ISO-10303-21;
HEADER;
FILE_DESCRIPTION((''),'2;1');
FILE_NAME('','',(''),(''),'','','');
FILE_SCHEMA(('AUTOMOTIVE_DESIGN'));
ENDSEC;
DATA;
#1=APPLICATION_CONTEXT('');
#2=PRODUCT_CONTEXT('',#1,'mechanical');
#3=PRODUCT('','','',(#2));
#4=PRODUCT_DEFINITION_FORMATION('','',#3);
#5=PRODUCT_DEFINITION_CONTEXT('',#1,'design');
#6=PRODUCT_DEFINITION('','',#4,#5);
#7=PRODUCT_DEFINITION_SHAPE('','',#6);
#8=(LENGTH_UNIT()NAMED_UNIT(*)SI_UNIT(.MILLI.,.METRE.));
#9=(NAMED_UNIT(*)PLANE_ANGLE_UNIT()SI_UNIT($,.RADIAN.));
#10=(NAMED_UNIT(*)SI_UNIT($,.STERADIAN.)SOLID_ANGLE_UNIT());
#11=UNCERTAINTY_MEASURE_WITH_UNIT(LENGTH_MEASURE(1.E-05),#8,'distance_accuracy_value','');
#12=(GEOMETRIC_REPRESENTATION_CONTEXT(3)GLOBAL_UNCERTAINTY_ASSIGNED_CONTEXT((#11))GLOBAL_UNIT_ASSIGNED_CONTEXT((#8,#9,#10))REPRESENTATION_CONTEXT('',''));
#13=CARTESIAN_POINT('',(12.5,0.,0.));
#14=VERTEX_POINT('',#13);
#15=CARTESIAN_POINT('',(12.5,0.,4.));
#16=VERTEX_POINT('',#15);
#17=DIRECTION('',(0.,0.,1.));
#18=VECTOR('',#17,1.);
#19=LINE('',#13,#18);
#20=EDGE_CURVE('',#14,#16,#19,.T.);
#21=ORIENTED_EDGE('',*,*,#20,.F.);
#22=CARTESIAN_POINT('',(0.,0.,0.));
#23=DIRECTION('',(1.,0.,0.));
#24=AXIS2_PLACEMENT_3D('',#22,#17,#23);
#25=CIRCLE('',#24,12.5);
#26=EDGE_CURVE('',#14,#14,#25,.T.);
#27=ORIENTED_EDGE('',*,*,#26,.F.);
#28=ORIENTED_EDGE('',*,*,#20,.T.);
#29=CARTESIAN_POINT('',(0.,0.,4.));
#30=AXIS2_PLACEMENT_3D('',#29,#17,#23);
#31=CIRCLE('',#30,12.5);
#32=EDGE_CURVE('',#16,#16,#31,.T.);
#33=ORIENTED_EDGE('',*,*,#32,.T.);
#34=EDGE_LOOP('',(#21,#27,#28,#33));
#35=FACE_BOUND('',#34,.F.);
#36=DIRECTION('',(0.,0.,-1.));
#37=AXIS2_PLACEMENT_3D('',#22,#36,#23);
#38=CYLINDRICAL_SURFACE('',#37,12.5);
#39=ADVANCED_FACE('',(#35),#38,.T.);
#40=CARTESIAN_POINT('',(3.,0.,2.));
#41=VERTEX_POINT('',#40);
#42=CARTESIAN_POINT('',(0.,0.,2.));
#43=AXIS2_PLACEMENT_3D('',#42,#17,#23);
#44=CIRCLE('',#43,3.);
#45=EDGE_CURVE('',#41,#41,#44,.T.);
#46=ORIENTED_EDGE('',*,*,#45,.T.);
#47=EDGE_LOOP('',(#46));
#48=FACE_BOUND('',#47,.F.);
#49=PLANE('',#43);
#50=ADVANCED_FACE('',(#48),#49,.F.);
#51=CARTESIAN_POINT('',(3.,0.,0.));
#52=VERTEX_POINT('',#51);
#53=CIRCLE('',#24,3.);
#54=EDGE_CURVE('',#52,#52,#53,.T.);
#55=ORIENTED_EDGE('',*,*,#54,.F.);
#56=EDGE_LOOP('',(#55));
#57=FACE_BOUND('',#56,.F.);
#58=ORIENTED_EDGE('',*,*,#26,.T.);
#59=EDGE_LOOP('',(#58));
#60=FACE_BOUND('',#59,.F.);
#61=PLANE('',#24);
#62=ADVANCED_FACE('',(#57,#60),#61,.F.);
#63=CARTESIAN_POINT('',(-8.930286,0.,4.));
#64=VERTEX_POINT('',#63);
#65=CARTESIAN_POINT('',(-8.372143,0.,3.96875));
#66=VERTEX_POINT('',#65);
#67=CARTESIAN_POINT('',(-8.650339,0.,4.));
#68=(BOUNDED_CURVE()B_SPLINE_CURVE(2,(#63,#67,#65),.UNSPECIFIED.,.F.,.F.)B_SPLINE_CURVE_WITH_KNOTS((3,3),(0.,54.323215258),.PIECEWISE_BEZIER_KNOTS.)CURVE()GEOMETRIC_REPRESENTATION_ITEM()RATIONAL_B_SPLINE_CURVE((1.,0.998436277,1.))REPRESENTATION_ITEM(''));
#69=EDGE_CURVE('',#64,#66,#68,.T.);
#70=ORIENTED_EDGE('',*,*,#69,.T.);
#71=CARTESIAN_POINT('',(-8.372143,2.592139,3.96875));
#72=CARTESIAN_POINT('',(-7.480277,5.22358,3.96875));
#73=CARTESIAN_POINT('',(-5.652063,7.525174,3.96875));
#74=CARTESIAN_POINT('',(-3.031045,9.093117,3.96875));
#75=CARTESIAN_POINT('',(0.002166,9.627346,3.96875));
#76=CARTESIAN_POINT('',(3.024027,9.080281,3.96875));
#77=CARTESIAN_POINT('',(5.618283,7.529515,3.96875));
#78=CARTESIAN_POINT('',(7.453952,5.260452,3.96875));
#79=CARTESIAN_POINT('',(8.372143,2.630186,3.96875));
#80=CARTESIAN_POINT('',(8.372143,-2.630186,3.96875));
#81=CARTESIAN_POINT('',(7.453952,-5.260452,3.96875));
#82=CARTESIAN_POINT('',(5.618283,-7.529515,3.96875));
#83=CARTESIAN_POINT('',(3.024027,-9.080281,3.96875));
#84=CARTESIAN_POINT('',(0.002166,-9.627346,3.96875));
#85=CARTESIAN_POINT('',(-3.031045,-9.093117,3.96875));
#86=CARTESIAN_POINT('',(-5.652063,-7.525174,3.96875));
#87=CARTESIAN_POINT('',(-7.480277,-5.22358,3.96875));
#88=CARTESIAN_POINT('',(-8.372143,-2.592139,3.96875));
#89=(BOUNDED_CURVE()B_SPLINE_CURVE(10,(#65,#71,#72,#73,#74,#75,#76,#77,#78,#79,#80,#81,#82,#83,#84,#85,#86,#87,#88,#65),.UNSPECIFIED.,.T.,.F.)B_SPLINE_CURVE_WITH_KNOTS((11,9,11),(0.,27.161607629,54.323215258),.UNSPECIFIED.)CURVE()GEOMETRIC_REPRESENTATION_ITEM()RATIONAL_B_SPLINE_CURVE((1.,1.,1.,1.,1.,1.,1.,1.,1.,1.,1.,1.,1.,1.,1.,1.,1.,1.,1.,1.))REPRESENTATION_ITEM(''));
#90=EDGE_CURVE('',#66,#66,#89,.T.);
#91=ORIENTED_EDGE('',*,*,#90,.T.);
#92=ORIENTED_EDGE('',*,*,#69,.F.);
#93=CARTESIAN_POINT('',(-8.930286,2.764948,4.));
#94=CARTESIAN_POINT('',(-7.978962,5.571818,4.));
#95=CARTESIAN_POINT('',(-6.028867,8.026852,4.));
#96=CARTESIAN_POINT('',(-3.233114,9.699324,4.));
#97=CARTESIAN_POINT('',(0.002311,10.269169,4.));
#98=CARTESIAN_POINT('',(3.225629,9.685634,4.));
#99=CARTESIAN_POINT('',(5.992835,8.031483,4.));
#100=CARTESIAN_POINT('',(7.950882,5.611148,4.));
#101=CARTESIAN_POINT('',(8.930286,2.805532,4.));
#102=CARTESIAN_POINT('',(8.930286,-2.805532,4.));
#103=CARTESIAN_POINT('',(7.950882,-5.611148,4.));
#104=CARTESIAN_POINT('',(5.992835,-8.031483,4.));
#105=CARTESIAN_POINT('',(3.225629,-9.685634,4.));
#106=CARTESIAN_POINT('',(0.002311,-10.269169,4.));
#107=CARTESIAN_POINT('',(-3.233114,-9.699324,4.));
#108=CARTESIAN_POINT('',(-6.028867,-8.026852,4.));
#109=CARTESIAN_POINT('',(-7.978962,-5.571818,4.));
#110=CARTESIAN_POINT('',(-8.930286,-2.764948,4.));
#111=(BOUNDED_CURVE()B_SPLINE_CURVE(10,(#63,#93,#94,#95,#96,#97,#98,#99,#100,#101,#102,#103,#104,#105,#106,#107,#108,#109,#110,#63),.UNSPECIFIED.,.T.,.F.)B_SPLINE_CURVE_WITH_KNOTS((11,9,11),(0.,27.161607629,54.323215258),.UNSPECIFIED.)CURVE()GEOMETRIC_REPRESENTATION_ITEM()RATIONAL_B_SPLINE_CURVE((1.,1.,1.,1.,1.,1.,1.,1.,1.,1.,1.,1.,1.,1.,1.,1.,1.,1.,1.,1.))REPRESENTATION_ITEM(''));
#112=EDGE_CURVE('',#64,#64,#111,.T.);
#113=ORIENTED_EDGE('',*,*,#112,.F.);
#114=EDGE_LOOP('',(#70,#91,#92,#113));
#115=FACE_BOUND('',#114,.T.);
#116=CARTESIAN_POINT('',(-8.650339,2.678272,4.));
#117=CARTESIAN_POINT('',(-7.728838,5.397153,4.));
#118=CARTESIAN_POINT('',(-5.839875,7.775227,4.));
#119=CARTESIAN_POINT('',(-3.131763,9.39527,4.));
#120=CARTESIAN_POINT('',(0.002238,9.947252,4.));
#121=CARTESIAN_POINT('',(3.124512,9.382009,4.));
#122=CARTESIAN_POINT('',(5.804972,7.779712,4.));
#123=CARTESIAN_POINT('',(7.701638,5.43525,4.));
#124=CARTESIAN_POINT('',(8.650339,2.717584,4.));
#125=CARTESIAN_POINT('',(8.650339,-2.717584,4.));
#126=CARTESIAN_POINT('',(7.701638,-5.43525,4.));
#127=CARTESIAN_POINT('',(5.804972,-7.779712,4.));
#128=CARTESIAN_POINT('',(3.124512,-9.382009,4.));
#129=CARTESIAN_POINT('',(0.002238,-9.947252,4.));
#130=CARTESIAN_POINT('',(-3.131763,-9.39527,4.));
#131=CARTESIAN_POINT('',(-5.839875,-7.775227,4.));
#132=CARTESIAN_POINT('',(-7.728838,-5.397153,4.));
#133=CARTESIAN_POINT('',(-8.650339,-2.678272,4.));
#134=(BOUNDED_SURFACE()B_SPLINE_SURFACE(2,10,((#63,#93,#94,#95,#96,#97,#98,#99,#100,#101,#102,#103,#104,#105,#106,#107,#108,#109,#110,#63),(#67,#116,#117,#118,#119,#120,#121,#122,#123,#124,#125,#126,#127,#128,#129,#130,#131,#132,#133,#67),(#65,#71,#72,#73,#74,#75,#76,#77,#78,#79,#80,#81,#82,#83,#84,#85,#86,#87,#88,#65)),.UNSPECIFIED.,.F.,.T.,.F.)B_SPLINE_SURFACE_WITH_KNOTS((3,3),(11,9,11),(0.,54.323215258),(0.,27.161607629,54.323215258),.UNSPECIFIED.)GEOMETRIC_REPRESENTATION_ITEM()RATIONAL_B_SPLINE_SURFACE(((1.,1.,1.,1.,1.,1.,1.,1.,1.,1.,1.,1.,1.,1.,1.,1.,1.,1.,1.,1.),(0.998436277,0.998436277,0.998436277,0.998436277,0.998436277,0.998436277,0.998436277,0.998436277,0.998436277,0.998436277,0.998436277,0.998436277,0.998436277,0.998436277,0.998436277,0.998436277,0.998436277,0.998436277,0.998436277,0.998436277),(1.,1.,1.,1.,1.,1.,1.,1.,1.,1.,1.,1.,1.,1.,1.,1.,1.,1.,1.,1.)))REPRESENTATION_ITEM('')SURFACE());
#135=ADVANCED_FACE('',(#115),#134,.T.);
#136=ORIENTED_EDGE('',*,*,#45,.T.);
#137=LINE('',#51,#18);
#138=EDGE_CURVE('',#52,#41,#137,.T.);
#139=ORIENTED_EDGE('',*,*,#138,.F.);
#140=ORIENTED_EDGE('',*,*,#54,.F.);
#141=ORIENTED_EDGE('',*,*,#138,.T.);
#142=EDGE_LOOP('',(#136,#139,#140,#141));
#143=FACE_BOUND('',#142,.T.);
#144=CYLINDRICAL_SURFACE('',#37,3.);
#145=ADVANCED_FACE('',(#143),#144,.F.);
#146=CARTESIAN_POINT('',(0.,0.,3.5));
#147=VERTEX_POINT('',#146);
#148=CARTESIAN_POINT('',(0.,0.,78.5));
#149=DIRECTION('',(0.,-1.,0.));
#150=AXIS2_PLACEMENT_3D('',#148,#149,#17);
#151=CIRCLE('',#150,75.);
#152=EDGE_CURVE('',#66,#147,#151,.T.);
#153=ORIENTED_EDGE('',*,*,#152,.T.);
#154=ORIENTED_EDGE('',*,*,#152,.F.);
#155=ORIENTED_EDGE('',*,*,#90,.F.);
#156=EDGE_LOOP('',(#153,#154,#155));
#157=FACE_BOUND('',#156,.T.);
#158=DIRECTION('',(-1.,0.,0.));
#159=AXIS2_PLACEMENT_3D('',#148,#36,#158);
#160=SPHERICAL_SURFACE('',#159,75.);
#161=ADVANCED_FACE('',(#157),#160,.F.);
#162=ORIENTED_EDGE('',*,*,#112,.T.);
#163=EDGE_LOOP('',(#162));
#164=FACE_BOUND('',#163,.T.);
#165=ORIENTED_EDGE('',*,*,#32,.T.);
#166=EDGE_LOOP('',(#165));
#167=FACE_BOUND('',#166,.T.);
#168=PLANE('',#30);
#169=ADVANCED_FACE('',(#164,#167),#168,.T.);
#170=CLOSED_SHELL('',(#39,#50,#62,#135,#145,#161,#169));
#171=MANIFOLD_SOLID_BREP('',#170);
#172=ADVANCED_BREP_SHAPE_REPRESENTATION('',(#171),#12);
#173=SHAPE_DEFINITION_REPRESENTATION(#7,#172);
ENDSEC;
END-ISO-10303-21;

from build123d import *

# Parameters (mm, degrees)
F0_R     = 12.5
F0_R_2   = 3
F1_DEPTH = 4
F2_DEPTH = 2
F5_R     = 5


with BuildPart() as f1:
    # F0 (on Top) → F1 (new body)
    with BuildSketch(Plane.XY):
        Circle(F0_R)
        Circle(F0_R_2, mode=Mode.SUBTRACT)
        Circle(F0_R_2)
    extrude(amount=F1_DEPTH)

    # F0 (on Top) → F2 (cut)
    with BuildSketch(Plane.XY):
        Circle(F0_R_2)
    extrude(amount=F2_DEPTH, mode=Mode.SUBTRACT)

    # F3 (on Front) → F4 (revolve, cut)
    with BuildSketch(Plane.XZ):
        with BuildLine():
            ThreePointArc((0, 153.5), (-75, 78.5), (0, 3.5))
            Line((0, 3.5), (0, 4))
            Line((0, 4), (0, 153.5))
        make_face()
    revolve(axis=Axis((0, 0, 82.6326791644), (0, 0, 1)), mode=Mode.SUBTRACT)

    # F5
    f5_edges = [f1.edges().sort_by_distance(p)[0] for p in [
        (8.645808, 0, 4),
    ]]
    fillet(f5_edges, radius=F5_R)


solid = f1.part
